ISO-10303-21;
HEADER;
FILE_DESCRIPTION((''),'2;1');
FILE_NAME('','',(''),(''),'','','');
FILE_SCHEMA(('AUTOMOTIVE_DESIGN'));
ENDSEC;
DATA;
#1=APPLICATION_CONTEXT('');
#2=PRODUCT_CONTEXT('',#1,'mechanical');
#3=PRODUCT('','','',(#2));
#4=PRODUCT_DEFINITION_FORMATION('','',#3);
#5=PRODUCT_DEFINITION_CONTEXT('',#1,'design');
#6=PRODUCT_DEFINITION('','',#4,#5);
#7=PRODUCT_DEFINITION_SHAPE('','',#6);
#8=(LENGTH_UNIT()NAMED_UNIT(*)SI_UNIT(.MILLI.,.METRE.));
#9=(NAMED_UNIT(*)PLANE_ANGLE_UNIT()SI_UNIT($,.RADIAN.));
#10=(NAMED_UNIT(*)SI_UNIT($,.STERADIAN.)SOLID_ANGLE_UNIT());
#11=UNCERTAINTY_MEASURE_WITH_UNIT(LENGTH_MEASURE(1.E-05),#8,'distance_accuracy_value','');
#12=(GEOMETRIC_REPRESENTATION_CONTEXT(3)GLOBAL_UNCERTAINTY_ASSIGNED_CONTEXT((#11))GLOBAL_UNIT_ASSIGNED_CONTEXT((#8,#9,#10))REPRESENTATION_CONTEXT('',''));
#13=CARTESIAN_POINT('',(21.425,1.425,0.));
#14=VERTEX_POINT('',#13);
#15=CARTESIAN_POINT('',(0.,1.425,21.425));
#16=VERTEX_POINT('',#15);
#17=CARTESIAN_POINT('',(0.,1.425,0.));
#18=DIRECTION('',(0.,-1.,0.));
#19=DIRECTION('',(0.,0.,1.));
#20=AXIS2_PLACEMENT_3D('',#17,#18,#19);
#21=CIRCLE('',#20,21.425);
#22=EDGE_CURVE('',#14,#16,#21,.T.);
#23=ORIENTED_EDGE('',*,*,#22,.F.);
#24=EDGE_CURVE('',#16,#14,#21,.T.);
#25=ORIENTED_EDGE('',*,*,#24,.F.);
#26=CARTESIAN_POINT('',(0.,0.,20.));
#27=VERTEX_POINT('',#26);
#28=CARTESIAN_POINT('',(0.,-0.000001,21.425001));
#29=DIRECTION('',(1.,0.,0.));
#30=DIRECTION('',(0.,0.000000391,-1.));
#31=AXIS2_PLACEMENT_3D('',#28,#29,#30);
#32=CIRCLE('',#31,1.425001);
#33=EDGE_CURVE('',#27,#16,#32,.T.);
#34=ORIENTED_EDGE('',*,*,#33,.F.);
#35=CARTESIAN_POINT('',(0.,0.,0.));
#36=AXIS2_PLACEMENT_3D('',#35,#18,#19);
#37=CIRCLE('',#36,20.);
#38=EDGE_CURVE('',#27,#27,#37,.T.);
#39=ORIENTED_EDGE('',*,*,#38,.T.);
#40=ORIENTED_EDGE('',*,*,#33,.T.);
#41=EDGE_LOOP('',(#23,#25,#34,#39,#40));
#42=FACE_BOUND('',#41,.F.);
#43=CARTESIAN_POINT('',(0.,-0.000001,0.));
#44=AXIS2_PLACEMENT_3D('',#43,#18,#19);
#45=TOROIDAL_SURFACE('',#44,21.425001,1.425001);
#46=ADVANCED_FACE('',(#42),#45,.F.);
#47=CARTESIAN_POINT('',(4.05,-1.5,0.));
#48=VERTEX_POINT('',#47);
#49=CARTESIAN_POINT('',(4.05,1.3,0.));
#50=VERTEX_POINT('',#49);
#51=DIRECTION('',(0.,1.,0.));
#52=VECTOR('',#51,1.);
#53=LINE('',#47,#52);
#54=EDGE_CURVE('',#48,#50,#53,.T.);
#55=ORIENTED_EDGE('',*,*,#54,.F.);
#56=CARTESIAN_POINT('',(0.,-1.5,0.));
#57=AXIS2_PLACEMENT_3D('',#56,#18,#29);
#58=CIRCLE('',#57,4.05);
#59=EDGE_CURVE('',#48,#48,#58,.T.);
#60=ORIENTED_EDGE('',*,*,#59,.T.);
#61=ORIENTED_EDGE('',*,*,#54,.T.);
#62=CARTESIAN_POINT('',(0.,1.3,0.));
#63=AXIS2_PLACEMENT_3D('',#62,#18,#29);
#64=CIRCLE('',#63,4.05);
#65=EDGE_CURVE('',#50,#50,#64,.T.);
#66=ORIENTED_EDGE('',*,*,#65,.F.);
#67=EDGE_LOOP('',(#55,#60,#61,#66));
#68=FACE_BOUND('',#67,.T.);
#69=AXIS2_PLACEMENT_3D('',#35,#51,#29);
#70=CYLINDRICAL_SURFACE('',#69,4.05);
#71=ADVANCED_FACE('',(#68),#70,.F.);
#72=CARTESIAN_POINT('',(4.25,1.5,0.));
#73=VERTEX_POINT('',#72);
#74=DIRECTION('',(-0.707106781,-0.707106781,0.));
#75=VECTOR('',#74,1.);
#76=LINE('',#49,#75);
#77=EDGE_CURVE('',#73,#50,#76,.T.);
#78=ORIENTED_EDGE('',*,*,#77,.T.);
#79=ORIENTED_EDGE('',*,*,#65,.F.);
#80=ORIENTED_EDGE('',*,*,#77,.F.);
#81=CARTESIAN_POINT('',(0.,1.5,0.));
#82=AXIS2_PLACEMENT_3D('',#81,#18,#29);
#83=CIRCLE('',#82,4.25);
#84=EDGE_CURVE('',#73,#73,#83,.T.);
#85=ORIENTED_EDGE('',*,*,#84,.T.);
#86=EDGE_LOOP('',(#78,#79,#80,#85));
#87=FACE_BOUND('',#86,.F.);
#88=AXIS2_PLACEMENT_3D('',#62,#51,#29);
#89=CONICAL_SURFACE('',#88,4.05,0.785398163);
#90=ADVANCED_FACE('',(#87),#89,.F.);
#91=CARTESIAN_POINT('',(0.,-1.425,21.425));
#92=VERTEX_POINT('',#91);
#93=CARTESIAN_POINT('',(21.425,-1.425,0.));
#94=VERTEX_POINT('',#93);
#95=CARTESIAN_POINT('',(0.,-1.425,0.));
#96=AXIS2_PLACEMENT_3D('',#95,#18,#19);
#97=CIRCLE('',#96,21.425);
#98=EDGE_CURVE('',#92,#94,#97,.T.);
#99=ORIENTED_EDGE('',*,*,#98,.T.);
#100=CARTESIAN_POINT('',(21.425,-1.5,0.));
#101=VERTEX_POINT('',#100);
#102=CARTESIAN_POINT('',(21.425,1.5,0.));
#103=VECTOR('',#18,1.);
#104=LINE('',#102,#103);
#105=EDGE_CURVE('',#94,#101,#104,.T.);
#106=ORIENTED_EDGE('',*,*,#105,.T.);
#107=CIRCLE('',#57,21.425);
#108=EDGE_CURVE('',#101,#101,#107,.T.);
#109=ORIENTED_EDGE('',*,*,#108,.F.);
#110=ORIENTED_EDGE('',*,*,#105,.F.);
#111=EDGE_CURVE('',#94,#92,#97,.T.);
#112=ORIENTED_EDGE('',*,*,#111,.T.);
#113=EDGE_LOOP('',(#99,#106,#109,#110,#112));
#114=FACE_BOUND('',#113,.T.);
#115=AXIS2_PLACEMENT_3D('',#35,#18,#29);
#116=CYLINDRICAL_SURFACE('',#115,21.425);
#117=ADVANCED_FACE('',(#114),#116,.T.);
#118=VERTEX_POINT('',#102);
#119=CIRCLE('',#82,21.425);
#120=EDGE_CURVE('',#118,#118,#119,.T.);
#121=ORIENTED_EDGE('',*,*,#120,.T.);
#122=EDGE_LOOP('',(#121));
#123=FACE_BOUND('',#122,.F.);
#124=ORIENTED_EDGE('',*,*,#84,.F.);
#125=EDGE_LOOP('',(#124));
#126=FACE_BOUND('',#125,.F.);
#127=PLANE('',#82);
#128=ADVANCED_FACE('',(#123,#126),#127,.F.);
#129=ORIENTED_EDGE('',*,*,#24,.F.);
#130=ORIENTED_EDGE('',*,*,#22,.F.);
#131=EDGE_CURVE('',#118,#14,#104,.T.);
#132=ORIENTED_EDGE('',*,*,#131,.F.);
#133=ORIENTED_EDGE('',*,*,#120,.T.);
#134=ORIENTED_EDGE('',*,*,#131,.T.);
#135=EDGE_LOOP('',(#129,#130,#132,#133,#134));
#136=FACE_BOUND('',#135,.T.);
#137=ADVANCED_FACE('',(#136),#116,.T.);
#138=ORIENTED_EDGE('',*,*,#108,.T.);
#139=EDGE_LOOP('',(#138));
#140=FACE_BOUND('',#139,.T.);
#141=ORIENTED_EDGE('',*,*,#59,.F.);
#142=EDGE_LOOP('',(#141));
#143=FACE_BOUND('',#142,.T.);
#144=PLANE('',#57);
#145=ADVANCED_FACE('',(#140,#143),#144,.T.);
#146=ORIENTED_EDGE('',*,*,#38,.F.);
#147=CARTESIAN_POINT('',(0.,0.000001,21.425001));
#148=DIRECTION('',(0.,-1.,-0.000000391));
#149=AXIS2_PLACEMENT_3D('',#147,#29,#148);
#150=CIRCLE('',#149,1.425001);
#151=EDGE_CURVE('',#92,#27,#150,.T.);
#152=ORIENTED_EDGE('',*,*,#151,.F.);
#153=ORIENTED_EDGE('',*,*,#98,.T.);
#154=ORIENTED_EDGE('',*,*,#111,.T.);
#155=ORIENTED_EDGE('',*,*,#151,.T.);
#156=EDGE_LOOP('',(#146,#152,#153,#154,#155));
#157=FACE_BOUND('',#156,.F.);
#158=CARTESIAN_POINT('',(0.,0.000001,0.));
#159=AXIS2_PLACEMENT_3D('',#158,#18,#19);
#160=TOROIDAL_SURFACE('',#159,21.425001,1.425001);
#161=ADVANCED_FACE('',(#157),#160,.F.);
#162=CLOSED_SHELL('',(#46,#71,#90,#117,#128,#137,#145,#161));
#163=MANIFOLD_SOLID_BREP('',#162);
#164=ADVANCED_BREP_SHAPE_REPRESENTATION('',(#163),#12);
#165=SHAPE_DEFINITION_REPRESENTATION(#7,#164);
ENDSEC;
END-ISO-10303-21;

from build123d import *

# Parameters (mm, degrees)
F0_R     = 21.425
F0_R_2   = 4.05
F1_DEPTH = 1.5
F4_SIZE  = 0.2


with BuildPart() as f1:
    # F0 (on Front) → F1 (new body, symmetric)
    with BuildSketch(Plane.XZ):
        Circle(F0_R)
        Circle(F0_R_2, mode=Mode.SUBTRACT)
    extrude(amount=F1_DEPTH, both=True)

    # F2 (on Right) → F3 (revolve, cut)
    with BuildSketch(Plane.YZ):
        with BuildLine():
            ThreePointArc((-1.425, 21.425), (-1.007627, 20.417373), (0, 20))
            Line((0, 20), (0, 21.425))
            Line((0, 21.425), (-1.425, 21.425))
        make_face()
        with BuildLine():
            Line((0, 21.425), (0, 20))
            ThreePointArc((0, 20), (1.007627, 20.417373), (1.425, 21.425))
            Line((1.425, 21.425), (0, 21.425))
        make_face()
    revolve(axis=Axis((0, -4.904328, 0), (0, -1, 0)), mode=Mode.SUBTRACT)

    # F4
    f4_edges = [f1.edges().sort_by_distance(p)[0] for p in [
        (-4.05, 1.5, 0),
    ]]
    chamfer(f4_edges, length=F4_SIZE)


solid = f1.part
